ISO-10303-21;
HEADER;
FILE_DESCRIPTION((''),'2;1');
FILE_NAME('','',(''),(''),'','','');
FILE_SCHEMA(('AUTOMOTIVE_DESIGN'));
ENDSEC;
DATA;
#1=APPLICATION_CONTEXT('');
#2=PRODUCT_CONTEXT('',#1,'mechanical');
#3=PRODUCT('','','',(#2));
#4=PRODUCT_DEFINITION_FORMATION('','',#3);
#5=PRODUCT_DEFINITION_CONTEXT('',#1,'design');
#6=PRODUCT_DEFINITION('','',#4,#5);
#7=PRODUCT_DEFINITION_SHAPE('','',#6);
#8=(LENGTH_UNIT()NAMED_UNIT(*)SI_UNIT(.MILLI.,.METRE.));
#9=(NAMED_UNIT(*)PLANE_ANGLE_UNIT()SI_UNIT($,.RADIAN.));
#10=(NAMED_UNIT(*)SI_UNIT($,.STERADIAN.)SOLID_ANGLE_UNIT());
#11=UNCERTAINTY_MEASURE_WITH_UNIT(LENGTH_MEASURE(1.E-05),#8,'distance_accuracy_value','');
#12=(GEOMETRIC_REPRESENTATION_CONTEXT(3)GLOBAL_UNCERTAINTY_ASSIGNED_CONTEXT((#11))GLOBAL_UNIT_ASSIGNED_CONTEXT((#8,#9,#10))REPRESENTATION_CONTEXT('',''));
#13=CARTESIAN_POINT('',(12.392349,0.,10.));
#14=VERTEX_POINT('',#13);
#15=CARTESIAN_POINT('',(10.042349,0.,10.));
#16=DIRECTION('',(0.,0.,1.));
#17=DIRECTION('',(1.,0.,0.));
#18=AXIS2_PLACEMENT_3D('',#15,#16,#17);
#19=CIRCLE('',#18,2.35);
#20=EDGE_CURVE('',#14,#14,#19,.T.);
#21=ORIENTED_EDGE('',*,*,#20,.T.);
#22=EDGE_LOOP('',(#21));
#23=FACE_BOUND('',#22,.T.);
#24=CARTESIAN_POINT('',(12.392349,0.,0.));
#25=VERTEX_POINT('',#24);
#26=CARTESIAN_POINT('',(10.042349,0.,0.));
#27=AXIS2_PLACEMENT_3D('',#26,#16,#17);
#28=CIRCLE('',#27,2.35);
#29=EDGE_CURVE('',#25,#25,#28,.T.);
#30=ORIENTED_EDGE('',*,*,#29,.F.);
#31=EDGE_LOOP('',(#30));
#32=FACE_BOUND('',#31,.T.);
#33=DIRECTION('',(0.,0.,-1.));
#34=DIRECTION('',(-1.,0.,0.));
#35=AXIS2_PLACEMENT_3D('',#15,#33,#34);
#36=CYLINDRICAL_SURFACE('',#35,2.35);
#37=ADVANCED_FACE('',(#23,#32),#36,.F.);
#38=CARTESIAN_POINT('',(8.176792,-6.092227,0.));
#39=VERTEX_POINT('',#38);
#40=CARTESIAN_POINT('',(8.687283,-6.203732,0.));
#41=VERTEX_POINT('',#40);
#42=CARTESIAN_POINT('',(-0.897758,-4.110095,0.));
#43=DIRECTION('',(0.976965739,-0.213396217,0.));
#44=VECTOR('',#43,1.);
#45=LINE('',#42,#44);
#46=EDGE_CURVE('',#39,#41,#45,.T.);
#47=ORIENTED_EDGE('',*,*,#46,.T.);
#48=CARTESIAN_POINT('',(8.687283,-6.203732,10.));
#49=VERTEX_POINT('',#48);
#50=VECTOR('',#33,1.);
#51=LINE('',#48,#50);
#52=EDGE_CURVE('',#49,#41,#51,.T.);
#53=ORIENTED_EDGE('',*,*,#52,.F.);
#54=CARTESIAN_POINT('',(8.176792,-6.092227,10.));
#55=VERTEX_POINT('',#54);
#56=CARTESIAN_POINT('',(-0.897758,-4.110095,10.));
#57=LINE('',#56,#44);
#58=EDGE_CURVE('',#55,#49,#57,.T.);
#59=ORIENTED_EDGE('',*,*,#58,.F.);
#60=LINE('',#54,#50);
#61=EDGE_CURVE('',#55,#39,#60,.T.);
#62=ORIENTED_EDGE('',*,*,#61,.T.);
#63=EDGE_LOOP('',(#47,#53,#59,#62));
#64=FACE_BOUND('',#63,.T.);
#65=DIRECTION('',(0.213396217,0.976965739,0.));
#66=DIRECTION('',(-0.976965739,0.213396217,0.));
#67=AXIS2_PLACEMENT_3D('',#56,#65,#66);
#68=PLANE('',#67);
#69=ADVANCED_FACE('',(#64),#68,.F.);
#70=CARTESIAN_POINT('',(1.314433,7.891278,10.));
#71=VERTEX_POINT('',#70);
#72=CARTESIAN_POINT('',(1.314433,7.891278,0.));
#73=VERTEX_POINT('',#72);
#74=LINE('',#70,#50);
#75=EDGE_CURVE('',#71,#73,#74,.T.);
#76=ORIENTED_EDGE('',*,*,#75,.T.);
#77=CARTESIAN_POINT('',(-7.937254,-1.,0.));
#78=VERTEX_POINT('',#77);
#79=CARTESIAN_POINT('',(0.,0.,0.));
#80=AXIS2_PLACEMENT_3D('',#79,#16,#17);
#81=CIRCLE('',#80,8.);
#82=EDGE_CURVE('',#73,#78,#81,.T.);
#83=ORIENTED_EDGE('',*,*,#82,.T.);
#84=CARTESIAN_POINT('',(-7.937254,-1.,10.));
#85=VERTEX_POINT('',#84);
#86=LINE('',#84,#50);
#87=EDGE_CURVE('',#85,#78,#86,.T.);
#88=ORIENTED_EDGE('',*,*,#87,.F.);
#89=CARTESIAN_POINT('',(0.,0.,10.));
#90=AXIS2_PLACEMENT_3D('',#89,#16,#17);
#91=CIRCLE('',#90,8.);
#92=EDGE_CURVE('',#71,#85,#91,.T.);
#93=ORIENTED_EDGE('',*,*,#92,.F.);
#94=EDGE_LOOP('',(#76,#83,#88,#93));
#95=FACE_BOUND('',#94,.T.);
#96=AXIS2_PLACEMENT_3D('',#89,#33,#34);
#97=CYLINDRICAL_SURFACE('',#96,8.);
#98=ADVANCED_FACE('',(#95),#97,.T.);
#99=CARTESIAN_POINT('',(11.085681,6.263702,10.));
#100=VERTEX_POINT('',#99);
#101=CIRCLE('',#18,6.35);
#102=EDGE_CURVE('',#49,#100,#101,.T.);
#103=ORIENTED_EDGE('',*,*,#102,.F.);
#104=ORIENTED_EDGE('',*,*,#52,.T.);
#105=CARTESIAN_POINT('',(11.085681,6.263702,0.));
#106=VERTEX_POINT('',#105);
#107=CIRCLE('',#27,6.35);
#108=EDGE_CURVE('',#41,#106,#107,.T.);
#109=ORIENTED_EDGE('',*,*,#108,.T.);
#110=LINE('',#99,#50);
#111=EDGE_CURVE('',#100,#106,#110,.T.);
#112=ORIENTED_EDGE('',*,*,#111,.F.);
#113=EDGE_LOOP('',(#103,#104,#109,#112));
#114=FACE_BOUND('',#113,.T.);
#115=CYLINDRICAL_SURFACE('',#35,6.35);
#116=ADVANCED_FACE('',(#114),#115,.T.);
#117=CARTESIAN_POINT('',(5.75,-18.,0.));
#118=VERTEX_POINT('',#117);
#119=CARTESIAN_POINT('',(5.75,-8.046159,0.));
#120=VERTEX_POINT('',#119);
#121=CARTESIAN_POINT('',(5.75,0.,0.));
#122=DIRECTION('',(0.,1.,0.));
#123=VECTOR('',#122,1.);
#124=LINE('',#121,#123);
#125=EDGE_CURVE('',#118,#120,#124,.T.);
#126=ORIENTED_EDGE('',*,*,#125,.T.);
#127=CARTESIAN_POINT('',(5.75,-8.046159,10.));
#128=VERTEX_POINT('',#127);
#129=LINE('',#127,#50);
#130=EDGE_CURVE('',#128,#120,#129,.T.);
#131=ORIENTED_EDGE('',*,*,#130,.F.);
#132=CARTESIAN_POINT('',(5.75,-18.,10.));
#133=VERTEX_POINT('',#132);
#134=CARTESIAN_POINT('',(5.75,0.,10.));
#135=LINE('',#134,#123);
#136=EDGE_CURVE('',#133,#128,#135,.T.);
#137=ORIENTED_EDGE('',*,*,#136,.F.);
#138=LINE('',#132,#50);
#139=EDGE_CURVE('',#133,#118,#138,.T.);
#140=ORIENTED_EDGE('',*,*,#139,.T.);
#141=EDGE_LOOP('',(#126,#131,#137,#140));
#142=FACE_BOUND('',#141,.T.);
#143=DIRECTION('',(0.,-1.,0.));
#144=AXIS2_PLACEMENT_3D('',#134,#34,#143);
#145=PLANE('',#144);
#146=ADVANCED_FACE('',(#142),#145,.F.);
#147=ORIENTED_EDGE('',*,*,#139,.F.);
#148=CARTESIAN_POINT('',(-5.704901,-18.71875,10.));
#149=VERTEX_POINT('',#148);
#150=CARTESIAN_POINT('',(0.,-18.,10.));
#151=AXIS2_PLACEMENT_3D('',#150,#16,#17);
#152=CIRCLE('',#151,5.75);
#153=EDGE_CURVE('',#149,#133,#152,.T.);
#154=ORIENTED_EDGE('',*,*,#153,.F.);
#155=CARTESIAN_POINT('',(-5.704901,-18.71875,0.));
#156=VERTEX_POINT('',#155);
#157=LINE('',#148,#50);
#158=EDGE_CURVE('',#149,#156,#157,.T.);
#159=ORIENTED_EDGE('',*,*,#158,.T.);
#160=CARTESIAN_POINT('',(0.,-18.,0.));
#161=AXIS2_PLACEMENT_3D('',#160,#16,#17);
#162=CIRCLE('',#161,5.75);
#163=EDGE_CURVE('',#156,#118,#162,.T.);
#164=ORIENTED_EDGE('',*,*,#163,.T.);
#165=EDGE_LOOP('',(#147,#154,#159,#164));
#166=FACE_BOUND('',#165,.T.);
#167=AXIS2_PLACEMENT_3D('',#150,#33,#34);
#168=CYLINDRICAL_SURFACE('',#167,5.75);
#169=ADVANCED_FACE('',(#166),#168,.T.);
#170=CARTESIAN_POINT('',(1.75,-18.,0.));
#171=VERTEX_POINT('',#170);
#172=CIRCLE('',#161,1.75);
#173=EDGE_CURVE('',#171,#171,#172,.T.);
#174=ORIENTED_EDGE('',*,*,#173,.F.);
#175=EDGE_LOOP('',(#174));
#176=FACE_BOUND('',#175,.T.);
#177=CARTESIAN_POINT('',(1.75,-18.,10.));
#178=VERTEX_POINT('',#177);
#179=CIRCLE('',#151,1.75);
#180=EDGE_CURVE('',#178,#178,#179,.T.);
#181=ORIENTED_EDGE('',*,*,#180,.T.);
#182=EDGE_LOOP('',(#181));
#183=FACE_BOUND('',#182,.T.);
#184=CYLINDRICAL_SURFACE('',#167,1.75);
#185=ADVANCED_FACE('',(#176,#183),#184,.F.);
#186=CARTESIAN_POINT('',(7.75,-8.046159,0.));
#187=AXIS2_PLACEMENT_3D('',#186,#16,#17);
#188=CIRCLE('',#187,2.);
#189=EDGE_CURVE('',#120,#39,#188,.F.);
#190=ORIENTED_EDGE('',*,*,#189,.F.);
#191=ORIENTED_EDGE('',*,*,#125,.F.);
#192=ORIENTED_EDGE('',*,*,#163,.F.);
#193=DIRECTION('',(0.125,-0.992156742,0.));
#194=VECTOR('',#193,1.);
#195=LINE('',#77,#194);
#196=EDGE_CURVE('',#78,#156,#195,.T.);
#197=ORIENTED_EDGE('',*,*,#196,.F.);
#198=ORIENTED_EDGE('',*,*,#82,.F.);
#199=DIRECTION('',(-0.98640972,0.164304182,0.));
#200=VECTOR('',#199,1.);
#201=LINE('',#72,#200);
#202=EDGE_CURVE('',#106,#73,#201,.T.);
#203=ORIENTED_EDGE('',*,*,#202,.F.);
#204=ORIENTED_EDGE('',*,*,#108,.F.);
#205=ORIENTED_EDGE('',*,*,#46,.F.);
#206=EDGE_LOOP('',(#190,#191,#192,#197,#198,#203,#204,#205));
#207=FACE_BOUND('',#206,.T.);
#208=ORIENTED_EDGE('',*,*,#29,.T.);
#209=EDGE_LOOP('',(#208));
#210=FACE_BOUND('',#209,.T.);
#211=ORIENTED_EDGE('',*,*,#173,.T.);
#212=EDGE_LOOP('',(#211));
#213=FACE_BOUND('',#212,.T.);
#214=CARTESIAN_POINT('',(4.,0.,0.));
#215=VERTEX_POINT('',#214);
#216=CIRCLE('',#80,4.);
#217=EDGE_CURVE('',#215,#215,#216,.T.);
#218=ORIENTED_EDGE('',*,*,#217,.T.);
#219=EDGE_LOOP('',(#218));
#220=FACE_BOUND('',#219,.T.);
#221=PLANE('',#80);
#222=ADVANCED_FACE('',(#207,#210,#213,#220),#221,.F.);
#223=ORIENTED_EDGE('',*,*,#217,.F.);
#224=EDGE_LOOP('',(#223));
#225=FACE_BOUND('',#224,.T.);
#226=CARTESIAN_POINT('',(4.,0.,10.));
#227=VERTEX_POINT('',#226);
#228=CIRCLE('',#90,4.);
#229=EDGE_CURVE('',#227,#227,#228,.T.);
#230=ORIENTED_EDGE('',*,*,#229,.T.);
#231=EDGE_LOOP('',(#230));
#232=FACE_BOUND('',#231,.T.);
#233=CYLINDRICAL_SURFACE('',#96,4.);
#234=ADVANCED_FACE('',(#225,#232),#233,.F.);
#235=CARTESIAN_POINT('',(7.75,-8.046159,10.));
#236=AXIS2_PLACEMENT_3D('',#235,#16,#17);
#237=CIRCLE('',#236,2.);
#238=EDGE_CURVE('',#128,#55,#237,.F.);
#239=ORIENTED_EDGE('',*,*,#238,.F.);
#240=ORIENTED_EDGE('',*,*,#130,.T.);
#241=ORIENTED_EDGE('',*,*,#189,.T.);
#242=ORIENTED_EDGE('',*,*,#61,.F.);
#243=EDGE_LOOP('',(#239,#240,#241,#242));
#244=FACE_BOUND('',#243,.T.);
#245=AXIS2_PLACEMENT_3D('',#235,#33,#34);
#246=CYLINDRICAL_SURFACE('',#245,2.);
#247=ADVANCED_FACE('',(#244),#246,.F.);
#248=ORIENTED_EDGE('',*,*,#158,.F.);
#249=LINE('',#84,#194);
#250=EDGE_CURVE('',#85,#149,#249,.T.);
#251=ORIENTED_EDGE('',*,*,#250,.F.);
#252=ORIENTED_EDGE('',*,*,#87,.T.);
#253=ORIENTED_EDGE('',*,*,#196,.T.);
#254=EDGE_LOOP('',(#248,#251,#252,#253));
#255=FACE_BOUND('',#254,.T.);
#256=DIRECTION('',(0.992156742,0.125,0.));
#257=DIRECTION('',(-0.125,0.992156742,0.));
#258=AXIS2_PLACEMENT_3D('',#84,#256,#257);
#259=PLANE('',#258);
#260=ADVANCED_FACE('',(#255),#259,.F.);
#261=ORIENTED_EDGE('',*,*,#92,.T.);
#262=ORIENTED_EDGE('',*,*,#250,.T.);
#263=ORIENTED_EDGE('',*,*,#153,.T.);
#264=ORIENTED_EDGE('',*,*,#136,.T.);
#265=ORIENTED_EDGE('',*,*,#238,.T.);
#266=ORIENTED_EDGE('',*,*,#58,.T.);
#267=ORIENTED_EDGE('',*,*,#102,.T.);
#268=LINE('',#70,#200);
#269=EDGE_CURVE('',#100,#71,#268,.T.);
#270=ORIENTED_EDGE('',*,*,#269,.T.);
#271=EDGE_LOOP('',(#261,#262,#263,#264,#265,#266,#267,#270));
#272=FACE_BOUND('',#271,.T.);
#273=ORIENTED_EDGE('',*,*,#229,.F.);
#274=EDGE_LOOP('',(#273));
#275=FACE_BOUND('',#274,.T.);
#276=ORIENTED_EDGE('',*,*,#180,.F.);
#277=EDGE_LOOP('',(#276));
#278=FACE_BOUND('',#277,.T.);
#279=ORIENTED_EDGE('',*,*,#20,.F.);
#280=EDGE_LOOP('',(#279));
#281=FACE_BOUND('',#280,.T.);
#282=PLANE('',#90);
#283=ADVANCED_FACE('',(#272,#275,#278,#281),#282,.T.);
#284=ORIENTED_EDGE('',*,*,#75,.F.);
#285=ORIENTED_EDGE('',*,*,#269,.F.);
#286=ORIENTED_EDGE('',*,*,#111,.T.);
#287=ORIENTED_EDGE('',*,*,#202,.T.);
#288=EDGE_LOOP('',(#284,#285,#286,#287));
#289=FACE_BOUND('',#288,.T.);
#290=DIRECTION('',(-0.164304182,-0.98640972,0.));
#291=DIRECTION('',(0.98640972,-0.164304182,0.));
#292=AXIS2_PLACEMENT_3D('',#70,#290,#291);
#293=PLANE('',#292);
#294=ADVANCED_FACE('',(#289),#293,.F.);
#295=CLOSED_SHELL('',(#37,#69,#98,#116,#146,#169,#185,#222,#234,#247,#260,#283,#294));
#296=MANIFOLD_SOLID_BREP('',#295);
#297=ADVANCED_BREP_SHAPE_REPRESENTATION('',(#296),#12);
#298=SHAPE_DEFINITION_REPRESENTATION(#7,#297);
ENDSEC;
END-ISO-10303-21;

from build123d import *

# Parameters (mm, degrees)
SKETCH1_R           = 2.35
SKETCH1_R_2         = 4
SKETCH1_R_3         = 1.75
BOSS_EXTRUDE1_DEPTH = 10


with BuildPart() as part:
    # Sketch1 → Boss-Extrude1 (new body)
    with BuildSketch(Plane.XY):
        with BuildLine():
            Line((11.085680956, 6.263701723), (1.314433453, 7.891277761))
            ThreePointArc((1.314433453, 7.891277761), (-5.543387307, 5.76808956), (-7.937253933, -1))
            Line((-7.937253933, -1), (-5.704901264, -18.71875))
            ThreePointArc((-5.704901264, -18.71875), (0.360081747, -23.738714241), (5.75, -18))
            Line((5.75, -18), (5.75, -8.04615863))
            ThreePointArc((5.75, -8.04615863), (6.495724286, -6.48834207), (8.176792434, -6.092227153))
            Line((8.176792434, -6.092227153), (8.687283423, -6.20373244))
            ThreePointArc((8.687283423, -6.20373244), (16.278014823, -1.199573574), (11.085680956, 6.263701723))
        make_face()
        with Locations((10.042349402, 0)):
            Circle(SKETCH1_R, mode=Mode.SUBTRACT)
        Circle(SKETCH1_R_2, mode=Mode.SUBTRACT)
        with Locations((0, -18)):
            Circle(SKETCH1_R_3, mode=Mode.SUBTRACT)
    extrude(amount=BOSS_EXTRUDE1_DEPTH)


solid = part.part
